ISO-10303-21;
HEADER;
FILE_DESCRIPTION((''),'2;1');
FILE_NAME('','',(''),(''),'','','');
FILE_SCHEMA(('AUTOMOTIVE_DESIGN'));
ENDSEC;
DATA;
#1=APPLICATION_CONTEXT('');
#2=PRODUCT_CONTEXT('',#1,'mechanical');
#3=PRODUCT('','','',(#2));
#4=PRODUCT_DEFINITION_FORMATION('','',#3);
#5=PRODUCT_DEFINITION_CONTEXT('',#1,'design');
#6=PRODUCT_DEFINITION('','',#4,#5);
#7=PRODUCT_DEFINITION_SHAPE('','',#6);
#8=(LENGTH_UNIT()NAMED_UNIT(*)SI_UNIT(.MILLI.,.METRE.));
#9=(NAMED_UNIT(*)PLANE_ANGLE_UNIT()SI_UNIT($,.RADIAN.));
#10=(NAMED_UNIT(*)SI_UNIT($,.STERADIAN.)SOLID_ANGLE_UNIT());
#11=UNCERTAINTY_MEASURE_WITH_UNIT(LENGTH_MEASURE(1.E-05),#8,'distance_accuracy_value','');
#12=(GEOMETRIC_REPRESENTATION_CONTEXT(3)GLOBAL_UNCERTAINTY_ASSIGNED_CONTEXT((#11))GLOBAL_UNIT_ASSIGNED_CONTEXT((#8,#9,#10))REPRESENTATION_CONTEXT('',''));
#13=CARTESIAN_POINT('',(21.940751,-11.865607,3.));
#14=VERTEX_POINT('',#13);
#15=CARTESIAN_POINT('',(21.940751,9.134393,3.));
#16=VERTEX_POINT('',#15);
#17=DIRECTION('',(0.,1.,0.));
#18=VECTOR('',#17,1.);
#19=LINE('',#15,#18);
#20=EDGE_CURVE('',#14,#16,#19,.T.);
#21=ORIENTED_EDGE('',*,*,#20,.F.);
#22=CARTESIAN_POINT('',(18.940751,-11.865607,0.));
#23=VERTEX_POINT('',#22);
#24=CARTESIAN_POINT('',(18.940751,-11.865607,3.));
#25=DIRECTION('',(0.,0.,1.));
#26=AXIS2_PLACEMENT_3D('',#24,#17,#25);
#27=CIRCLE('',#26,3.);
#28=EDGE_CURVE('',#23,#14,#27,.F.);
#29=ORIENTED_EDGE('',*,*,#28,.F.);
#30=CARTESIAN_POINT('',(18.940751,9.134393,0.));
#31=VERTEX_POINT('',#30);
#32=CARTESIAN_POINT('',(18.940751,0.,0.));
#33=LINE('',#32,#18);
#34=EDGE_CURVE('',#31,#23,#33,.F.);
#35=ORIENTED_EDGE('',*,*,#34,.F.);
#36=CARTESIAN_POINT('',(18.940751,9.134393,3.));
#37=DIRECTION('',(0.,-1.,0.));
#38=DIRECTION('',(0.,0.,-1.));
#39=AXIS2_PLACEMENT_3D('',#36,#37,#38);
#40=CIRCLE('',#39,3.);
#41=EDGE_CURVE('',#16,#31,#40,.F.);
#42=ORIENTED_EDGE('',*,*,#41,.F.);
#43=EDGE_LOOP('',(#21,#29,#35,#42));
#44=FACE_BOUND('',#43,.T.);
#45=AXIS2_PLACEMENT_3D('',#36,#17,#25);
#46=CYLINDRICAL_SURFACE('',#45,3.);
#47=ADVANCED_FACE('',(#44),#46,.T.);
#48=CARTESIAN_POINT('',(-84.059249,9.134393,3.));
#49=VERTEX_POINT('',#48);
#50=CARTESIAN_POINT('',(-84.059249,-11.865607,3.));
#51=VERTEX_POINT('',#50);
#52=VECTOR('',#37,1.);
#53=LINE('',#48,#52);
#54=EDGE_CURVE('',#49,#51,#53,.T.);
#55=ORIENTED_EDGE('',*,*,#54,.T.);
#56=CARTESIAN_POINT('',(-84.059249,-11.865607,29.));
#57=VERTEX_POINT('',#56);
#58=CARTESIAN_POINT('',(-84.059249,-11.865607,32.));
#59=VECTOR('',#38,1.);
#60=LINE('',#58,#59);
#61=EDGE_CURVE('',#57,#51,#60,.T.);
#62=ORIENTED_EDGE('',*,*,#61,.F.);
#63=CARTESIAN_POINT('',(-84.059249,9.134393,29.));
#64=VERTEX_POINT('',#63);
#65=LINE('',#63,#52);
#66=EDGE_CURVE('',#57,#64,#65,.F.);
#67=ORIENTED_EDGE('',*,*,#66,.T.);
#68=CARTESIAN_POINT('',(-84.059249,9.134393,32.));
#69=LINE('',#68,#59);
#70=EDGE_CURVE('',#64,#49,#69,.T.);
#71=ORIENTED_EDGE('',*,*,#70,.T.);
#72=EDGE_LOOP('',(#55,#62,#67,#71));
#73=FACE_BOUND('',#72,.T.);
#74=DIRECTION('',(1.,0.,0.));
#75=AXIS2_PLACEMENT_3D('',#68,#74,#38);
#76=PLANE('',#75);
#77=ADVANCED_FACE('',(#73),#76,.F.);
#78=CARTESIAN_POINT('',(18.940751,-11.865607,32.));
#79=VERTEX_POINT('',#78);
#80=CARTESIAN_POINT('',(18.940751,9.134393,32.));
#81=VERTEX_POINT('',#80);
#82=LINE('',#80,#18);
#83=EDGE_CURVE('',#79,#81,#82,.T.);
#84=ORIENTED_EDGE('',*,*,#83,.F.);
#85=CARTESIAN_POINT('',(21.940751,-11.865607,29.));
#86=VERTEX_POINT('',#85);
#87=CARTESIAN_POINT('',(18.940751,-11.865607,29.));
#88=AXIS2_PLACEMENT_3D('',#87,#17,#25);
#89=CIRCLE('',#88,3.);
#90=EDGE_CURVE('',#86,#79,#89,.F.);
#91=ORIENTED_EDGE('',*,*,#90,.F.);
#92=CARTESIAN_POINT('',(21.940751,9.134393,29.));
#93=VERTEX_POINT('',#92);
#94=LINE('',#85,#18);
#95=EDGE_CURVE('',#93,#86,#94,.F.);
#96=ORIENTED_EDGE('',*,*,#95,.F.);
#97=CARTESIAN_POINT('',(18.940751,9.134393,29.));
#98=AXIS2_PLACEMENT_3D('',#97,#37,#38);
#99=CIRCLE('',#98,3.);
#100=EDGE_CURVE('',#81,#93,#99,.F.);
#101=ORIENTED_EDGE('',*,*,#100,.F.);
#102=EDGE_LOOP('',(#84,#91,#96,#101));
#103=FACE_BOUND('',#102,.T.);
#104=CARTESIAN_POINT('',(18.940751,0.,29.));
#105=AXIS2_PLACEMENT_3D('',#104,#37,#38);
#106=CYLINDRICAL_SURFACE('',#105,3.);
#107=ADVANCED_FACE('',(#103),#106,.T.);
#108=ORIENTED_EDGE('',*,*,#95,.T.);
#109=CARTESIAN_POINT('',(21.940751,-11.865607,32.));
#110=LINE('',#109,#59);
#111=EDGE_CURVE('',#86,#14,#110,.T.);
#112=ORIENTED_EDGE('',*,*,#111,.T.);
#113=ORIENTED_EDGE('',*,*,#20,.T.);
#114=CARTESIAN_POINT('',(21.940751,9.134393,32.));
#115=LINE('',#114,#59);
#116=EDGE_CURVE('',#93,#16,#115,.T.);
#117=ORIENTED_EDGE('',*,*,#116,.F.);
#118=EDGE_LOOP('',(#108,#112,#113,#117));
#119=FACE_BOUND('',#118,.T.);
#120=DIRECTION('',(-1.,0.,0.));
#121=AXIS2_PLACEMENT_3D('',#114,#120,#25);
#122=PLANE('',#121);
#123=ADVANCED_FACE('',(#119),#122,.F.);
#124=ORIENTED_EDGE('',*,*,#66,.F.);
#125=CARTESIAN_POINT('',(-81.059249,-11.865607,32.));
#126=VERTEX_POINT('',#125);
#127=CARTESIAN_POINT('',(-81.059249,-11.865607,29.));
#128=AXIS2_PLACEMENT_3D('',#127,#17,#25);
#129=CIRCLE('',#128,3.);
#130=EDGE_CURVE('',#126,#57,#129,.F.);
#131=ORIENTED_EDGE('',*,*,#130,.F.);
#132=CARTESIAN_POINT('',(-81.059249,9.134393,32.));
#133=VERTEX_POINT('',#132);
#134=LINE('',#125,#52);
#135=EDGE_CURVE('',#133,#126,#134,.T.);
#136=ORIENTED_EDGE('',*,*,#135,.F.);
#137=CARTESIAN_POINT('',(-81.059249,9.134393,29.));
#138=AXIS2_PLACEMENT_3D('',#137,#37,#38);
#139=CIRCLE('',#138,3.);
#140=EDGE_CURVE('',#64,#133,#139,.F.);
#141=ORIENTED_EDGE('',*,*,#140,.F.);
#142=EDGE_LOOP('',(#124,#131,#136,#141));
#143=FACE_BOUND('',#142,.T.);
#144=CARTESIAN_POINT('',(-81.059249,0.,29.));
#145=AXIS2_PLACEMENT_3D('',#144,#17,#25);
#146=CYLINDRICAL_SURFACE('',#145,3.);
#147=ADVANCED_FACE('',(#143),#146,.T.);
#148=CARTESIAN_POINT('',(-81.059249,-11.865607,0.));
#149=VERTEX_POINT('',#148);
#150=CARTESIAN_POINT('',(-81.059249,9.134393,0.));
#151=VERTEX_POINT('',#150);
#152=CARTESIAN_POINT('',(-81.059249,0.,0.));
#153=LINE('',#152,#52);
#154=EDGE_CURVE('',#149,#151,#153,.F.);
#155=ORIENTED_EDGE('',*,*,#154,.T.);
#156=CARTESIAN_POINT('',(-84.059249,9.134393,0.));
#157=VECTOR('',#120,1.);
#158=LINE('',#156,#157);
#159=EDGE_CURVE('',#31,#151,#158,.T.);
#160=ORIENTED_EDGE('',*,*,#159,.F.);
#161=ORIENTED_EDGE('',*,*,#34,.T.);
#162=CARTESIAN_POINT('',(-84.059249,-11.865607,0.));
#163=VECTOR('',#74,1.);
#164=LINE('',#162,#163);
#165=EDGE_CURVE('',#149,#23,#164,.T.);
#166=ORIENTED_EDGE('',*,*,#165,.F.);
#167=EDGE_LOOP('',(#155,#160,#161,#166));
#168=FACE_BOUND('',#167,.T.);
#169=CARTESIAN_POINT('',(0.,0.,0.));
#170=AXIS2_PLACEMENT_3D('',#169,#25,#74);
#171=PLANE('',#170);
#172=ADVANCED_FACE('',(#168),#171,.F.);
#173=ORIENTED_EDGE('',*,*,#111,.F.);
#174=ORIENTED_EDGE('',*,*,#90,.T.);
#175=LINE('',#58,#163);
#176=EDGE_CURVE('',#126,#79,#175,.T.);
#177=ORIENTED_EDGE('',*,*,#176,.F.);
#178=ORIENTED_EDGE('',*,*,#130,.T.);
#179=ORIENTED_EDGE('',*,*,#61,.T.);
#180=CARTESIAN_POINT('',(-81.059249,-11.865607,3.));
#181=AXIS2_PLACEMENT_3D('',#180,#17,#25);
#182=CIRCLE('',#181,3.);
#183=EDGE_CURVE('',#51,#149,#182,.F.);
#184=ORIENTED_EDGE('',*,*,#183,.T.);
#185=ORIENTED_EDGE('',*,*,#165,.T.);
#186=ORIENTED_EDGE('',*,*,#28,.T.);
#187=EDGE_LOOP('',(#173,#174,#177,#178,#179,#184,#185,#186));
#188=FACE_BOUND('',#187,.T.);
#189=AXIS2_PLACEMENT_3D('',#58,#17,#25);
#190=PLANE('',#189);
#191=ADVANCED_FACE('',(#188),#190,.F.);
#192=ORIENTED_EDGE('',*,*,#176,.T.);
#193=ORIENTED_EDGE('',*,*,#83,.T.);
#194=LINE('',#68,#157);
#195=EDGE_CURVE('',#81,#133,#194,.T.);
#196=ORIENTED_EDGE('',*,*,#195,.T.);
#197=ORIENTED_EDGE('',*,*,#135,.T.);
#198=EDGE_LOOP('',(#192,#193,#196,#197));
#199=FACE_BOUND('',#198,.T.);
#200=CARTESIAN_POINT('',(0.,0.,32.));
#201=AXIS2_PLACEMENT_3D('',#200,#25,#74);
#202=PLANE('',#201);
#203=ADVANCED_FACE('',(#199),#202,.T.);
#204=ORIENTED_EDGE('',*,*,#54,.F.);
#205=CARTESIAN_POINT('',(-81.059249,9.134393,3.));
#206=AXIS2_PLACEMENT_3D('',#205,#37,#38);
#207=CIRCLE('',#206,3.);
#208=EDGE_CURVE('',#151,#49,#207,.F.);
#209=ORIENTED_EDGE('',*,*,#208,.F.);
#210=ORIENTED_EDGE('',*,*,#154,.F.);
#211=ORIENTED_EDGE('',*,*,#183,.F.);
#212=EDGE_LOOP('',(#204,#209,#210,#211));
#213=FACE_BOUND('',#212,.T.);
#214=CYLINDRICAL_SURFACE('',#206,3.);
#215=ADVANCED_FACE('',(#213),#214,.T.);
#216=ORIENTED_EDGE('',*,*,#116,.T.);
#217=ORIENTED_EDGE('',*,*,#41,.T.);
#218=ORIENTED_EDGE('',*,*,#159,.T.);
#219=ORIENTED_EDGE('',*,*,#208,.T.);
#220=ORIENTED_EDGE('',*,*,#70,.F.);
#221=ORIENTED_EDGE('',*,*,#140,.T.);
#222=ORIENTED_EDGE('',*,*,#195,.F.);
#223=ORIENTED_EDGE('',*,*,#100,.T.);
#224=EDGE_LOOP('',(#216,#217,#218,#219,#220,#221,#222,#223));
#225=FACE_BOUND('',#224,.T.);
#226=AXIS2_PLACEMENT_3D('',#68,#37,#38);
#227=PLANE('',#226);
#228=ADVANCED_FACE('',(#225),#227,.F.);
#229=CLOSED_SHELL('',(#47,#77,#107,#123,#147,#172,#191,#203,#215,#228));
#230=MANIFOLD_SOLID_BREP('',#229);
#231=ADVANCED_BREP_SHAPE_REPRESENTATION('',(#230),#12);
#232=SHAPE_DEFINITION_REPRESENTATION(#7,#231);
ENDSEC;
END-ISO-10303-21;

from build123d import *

# Parameters (mm, degrees)
SKETCH1_W           = 106
SKETCH1_H           = 21
BOSS_EXTRUDE1_DEPTH = 32
FILLET1_R           = 3


with BuildPart() as part:
    # Sketch1 → Boss-Extrude1 (new body)
    with BuildSketch(Plane.XY):
        with Locations((-31.059248555, -1.365606936)):
            Rectangle(SKETCH1_W, SKETCH1_H)
    extrude(amount=BOSS_EXTRUDE1_DEPTH)

    # Fillet1
    fillet1_edges = [part.edges().sort_by_distance(p)[0] for p in [
        (21.940751445, -1.365606936, 32),
        (-84.059248555, -1.365606936, 32),
        (21.940751445, -1.365606936, 0),
        (-84.059248555, -1.365606936, 0),
    ]]
    fillet(fillet1_edges, radius=FILLET1_R)


solid = part.part
